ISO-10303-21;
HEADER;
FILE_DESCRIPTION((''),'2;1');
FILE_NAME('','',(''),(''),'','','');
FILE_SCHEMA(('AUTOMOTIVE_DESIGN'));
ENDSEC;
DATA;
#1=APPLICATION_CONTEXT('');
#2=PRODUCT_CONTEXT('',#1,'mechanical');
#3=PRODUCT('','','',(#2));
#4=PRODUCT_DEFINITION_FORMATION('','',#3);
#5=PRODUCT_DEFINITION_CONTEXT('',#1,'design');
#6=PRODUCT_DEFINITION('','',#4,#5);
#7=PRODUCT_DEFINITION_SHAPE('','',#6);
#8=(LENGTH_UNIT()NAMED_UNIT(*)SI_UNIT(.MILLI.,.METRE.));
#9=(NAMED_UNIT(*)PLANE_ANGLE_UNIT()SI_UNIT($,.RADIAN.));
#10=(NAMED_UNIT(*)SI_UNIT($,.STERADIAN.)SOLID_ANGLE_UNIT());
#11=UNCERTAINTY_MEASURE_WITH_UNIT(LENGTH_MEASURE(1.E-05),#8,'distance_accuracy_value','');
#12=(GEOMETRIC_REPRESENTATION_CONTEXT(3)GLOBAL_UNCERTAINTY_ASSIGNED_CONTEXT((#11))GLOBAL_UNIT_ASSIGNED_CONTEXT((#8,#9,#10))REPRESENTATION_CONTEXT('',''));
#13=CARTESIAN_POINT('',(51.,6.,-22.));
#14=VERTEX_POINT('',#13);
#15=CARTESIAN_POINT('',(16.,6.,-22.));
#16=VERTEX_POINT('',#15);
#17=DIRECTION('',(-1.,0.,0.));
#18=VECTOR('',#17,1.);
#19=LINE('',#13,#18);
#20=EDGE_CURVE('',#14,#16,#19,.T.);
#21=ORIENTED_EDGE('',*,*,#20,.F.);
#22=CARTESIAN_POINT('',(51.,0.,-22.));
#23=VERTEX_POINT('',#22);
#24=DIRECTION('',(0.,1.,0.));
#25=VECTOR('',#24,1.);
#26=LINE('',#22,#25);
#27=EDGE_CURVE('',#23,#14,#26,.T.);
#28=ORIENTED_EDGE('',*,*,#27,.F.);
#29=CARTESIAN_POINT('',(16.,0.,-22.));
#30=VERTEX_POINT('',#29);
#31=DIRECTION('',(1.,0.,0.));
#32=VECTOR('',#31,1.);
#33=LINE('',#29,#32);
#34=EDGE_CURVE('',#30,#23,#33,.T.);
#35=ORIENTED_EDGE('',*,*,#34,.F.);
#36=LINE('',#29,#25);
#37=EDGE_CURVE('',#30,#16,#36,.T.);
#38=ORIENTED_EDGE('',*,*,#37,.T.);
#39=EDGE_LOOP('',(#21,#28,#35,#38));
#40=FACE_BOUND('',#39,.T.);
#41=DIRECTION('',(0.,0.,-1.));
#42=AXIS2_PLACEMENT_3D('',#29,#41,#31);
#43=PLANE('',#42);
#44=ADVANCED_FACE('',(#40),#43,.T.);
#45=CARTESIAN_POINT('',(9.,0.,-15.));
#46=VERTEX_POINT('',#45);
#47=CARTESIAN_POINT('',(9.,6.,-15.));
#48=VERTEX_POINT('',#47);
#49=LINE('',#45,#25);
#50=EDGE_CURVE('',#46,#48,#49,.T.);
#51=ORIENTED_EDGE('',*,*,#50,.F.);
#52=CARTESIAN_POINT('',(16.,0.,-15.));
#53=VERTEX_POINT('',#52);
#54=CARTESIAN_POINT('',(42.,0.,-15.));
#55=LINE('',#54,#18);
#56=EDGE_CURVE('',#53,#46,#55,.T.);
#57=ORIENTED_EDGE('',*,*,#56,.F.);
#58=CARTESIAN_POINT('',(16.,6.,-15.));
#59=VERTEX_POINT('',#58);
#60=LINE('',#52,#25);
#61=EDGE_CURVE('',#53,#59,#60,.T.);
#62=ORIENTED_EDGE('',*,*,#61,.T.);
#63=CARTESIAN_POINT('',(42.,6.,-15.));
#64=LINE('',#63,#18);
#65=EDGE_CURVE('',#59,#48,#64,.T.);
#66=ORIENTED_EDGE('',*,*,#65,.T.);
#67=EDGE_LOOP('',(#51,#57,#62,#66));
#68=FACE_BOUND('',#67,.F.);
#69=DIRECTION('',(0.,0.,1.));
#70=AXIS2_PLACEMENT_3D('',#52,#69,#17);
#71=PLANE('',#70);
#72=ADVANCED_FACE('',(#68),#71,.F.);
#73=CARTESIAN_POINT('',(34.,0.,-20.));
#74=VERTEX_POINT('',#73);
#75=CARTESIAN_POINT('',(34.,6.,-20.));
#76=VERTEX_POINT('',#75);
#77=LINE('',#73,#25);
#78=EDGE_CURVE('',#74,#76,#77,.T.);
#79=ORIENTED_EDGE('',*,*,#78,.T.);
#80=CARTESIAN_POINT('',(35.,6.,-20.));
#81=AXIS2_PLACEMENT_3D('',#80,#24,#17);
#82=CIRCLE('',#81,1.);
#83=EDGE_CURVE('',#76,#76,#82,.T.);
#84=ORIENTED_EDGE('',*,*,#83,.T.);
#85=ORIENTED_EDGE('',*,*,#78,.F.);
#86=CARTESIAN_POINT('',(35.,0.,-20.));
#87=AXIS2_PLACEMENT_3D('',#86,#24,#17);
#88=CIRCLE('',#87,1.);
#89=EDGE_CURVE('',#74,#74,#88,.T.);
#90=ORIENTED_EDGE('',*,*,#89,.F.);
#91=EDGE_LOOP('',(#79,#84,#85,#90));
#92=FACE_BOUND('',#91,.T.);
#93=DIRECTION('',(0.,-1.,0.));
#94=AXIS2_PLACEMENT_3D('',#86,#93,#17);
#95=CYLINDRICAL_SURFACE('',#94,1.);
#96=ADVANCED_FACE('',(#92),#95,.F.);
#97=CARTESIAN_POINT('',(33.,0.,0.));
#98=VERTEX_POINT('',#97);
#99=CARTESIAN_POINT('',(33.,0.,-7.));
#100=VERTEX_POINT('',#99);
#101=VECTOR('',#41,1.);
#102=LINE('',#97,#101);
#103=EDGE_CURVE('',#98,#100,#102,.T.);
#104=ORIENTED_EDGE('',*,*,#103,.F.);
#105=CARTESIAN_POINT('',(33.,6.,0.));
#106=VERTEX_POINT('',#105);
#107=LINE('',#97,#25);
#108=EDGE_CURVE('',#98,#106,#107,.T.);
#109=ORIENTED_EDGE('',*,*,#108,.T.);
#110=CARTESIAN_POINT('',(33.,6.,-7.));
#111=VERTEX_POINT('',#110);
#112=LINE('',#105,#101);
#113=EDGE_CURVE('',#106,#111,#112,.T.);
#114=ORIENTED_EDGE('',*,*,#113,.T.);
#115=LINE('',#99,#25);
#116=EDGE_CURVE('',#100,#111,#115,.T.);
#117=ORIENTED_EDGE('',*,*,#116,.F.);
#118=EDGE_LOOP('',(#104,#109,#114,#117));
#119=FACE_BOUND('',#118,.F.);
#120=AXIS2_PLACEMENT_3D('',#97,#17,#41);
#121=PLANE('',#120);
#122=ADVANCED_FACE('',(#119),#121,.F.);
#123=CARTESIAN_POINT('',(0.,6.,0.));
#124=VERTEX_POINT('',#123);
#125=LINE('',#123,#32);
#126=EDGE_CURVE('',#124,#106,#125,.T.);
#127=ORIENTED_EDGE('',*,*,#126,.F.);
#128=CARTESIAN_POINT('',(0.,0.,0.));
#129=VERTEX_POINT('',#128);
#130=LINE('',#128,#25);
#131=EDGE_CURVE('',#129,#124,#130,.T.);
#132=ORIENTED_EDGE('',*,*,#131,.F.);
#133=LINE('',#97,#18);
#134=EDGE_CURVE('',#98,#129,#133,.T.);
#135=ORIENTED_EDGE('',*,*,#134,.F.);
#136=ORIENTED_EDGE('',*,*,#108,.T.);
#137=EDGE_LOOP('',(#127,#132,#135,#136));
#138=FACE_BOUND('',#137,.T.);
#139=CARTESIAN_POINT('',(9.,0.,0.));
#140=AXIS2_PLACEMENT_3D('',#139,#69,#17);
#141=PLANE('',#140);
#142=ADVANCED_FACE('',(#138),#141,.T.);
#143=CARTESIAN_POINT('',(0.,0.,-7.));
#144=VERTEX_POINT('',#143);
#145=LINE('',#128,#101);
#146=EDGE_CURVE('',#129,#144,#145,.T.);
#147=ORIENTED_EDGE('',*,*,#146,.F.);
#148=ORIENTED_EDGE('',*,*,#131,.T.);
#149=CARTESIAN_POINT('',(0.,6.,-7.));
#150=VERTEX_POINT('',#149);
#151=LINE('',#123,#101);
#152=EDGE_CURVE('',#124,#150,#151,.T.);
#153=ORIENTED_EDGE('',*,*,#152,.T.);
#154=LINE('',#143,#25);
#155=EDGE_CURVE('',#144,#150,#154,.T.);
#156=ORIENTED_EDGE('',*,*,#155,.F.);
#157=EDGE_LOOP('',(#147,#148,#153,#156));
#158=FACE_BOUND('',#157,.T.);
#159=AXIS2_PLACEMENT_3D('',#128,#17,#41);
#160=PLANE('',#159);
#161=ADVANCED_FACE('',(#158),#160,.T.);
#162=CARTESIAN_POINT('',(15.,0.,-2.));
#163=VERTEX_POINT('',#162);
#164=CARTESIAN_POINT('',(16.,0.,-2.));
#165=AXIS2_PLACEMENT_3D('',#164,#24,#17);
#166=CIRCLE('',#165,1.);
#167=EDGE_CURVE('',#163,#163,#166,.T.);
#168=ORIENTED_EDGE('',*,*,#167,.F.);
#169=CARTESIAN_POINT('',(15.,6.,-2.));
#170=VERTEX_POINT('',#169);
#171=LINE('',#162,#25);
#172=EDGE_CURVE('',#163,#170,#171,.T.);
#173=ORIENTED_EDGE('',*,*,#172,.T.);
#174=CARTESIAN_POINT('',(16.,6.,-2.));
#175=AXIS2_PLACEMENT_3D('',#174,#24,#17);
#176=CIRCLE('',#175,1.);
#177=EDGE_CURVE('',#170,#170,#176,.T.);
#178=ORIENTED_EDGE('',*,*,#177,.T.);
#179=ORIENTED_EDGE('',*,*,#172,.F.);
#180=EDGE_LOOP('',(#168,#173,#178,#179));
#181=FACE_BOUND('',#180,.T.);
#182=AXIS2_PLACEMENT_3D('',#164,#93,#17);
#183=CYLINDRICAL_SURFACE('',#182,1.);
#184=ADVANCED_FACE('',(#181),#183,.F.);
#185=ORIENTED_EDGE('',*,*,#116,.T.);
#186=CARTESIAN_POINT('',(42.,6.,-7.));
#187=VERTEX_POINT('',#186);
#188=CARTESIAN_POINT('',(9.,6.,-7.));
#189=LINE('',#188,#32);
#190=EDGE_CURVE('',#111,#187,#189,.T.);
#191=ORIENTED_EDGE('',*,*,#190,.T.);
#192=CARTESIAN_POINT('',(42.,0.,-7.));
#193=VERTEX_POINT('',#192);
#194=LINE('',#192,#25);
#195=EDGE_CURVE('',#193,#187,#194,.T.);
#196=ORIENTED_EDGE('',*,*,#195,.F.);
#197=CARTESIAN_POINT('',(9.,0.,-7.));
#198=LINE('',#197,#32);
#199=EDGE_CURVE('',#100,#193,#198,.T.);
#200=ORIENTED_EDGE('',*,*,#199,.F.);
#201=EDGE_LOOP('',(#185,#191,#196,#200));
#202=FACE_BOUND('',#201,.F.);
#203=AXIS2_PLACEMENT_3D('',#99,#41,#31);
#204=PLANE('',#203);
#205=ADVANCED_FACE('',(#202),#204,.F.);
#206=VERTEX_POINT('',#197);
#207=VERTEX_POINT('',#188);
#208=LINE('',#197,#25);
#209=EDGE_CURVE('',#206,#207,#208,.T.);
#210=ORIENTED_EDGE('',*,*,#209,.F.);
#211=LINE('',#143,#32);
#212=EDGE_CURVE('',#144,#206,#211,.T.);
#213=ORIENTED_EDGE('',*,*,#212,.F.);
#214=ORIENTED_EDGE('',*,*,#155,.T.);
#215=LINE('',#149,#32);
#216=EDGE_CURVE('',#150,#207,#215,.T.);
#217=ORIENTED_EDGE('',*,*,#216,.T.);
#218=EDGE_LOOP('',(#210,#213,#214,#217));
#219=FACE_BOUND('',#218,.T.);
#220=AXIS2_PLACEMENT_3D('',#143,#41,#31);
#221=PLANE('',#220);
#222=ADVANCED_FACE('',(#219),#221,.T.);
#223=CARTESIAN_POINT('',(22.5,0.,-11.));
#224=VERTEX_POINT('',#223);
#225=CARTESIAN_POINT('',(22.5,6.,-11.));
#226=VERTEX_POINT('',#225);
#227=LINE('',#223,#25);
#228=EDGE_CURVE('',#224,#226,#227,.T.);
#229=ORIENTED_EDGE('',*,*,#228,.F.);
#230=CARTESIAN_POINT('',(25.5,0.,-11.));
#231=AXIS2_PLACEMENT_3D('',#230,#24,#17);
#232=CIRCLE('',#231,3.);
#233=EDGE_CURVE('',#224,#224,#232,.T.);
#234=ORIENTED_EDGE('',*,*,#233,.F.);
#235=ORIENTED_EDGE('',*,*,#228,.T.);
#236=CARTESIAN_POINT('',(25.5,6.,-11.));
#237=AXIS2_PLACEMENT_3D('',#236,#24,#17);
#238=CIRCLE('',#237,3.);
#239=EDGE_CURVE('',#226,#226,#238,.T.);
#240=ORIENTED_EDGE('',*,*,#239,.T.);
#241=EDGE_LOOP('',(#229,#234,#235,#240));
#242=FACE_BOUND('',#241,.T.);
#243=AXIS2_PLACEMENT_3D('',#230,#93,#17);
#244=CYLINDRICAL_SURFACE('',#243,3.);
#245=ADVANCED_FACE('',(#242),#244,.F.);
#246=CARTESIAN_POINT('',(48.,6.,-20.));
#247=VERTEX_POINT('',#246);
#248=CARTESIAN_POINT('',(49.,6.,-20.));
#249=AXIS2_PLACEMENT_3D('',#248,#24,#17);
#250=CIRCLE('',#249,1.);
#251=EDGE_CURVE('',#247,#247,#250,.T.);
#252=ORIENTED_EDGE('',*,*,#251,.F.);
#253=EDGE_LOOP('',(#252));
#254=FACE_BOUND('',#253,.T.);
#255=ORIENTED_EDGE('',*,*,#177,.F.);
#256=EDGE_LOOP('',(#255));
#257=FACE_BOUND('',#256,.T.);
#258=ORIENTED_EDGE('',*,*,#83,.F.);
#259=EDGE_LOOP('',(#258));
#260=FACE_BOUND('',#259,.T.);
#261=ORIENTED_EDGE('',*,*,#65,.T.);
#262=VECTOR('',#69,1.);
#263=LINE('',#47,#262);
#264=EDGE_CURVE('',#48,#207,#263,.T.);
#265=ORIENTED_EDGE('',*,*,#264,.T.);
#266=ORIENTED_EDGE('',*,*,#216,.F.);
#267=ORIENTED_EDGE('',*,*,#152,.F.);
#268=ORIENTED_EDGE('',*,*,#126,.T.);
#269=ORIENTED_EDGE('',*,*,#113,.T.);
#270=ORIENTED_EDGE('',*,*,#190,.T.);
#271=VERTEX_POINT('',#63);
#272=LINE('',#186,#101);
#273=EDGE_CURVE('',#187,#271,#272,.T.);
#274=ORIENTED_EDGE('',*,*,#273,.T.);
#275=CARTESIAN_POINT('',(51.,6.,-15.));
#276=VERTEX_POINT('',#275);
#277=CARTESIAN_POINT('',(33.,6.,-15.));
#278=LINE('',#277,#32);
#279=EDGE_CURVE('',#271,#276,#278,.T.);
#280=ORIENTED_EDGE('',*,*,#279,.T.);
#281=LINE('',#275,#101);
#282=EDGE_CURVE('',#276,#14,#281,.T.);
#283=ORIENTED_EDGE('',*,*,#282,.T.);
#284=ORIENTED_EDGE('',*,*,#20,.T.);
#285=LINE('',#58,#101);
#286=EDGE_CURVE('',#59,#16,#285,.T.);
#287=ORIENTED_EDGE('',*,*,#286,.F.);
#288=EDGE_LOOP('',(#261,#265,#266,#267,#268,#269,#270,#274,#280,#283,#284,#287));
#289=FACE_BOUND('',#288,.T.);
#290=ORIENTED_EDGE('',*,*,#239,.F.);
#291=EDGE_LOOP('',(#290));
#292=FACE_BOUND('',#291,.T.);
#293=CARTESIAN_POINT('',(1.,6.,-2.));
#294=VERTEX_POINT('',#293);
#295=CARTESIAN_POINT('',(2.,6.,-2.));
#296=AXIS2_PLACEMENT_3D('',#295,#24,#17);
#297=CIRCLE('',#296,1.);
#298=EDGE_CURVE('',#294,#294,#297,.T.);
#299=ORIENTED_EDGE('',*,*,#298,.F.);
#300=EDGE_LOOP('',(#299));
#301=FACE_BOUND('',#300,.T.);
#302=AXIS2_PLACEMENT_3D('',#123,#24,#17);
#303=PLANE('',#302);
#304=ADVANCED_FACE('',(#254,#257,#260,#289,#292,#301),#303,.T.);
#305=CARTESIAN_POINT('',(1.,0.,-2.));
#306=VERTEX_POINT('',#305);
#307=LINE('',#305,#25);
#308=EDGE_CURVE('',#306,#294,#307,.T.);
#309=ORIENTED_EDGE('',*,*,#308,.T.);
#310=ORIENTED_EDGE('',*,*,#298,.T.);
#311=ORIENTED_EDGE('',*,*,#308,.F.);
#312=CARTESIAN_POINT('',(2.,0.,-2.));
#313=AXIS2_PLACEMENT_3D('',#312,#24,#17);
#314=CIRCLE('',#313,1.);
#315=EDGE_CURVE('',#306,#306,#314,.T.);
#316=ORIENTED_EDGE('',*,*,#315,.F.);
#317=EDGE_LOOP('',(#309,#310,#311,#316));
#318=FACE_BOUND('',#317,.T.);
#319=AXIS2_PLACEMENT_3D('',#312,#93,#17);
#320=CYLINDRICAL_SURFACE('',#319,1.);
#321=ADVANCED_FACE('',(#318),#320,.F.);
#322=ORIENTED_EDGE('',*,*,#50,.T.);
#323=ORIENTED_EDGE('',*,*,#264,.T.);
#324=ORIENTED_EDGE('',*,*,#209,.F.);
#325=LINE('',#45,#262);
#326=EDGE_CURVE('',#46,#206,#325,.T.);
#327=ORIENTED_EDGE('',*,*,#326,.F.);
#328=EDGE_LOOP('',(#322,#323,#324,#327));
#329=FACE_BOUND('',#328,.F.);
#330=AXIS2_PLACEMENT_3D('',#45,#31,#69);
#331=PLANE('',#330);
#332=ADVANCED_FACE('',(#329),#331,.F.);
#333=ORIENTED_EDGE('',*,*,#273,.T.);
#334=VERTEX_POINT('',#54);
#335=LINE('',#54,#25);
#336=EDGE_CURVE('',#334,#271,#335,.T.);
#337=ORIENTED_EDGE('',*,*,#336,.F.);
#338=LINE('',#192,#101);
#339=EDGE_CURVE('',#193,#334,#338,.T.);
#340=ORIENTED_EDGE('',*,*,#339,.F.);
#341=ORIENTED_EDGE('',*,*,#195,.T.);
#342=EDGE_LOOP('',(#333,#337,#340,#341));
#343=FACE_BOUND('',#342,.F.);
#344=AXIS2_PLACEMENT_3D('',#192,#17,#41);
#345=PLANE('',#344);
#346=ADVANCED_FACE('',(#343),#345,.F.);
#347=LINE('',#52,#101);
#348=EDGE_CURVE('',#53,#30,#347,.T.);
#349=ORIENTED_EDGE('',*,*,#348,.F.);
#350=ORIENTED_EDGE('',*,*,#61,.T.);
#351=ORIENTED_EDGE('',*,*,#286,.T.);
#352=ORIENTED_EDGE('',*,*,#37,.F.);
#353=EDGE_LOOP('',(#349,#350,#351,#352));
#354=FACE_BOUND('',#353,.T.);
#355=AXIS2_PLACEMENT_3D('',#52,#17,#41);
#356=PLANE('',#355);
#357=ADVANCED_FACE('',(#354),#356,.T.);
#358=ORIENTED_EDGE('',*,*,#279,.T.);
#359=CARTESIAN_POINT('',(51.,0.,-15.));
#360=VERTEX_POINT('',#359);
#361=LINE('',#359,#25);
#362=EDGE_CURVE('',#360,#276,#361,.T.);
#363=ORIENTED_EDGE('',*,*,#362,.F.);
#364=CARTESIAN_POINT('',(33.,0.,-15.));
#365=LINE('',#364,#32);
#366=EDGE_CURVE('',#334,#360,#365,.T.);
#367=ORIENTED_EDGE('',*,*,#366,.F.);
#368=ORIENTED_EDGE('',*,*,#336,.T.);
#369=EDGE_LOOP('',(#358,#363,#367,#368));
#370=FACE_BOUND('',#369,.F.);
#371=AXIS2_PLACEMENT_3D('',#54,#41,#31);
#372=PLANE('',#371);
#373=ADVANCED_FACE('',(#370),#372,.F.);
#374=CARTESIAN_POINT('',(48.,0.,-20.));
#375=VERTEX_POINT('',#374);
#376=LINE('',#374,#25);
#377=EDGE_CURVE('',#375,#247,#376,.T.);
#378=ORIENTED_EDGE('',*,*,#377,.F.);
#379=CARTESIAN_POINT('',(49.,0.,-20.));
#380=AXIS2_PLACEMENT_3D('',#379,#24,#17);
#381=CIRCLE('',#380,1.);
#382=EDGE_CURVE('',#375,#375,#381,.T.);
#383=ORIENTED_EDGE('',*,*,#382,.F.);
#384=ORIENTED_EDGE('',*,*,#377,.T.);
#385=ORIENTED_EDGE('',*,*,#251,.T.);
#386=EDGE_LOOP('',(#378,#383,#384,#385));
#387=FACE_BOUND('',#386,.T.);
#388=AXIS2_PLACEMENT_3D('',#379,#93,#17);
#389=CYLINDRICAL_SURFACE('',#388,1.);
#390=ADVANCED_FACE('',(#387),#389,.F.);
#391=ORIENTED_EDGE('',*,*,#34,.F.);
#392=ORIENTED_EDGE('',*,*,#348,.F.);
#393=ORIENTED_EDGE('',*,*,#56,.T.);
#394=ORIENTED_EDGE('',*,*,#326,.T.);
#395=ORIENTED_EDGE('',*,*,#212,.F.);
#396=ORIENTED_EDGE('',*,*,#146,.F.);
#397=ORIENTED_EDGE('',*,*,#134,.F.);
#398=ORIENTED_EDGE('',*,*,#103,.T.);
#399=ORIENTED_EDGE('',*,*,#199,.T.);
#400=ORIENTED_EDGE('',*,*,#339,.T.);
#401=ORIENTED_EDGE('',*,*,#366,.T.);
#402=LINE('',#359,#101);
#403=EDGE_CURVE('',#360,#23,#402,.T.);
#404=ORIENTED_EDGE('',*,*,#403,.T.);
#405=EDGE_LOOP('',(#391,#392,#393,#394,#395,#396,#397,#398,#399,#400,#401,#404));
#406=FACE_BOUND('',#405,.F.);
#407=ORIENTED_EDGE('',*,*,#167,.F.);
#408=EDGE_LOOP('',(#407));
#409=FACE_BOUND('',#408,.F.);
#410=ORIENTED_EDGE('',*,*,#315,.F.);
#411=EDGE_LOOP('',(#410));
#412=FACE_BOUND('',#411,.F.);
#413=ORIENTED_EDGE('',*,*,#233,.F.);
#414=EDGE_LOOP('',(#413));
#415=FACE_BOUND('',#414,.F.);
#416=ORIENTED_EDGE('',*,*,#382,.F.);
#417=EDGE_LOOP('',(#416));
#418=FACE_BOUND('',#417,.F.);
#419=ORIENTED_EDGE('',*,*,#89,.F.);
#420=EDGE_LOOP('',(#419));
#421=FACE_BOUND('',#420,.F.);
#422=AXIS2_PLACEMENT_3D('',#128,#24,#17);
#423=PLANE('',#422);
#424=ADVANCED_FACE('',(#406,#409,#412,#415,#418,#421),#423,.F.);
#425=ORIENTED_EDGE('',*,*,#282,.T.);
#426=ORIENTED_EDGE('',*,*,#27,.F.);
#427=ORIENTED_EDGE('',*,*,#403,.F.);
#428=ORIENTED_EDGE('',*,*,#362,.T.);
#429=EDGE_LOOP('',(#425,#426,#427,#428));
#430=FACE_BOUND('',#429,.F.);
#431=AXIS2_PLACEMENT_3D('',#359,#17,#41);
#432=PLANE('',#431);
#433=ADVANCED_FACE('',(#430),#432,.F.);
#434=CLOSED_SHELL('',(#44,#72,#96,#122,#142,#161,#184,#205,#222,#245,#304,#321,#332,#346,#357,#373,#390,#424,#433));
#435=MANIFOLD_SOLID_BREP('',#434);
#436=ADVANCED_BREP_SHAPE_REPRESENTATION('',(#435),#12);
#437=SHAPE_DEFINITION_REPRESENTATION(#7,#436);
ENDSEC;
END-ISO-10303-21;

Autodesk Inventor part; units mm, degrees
ref_plane "YZ Plane" through (0, 0, 0) normal (1, 0, 0) x (0, 1, 0)
ref_plane "XZ Plane" through (0, 0, 0) normal (0, 1, 0) x (-1, 0, 0)
ref_plane "XY Plane" through (0, 0, 0) normal (0, 0, 1) x (1, 0, 0)
sketch "Sketch1" plane through (0, 0, 0) normal (0, 1, 0) x (-1, 0, 0)
  line L0 (0, -7) -> (-9, -7)
  line L1 (-18, -7) -> (-18, 0)
  line L2 (-18, 0) -> (-9, 0)
  line L3 (0, 0) -> (0, -7)
  line L4 (-9, -7) -> (-9, -2) construction
  line L5 (-9, -2) -> (-9, 0) construction
  circle A0 centre (-16, -2) radius 1
  line L6 (-16, -2) -> (-9, -2) construction
  line L7 (-9, 0) -> (0, 0)
  line L8 (-9, -7) -> (-18, -7)
  circle A1 centre (-2, -2) radius 1
  circle A2 centre (-35, -20) radius 1
  line L9 (-33, -15) -> (-51, -15)
  line L10 (-51, -15) -> (-51, -22)
  line L11 (-51, -22) -> (-33, -22)
  line L12 (-33, -22) -> (-33, -15)
  line L13 (-35, -20) -> (-35, -22) construction
  line L14 (-42, -15) -> (-42, -22) construction
  circle A3 centre (-49, -20) radius 1
  line L15 (-42, -15) -> (-9, -15)
  line L16 (-9, -15) -> (-9, -7)
  line L17 (-9, -7) -> (-42, -7)
  line L18 (-42, -7) -> (-42, -15)
  line L19 (-33, -15) -> (-16, -15)
  line L20 (-16, -15) -> (-16, -22)
  line L21 (-16, -22) -> (-33, -22)
  line L22 (-33, -22) -> (-33, -15)
  line L23 (-33, -7) -> (-18, -7)
  line L24 (-18, -7) -> (-18, 0)
  line L25 (-18, 0) -> (-33, 0)
  line L26 (-33, 0) -> (-33, -7)
  circle A4 centre (-25.5, -11) radius 3
  line L27 (-42, -11) -> (-25.5, -11) construction
  line L28 (-25.5, -11) -> (-9, -11) construction
  line L29 (-25.5, -7) -> (-25.5, -11) construction
  point P0 (0, 0)
  dimension "d0" = 18
  dimension "d1" = 7
  dimension "d2" = 2
  dimension "d4" = 7
  dimension "d11" = 0
  dimension "d12" = 2
  dimension "d17" = 0
  dimension "d18" = 2
  dimension "d19" = 19
  dimension "d20" = 18
  dimension "d21" = 7
  dimension "d22" = 2
  dimension "d23" = 7
  dimension "d24" = 18
  dimension "d27" = 16
  dimension "d28" = 22
  dimension "d29" = 6
extrude "Extrusion2" add sketch "Sketch1" along normal blind 6
equation "\"d25\" = d29"
properties part number "game-switch-holder"
